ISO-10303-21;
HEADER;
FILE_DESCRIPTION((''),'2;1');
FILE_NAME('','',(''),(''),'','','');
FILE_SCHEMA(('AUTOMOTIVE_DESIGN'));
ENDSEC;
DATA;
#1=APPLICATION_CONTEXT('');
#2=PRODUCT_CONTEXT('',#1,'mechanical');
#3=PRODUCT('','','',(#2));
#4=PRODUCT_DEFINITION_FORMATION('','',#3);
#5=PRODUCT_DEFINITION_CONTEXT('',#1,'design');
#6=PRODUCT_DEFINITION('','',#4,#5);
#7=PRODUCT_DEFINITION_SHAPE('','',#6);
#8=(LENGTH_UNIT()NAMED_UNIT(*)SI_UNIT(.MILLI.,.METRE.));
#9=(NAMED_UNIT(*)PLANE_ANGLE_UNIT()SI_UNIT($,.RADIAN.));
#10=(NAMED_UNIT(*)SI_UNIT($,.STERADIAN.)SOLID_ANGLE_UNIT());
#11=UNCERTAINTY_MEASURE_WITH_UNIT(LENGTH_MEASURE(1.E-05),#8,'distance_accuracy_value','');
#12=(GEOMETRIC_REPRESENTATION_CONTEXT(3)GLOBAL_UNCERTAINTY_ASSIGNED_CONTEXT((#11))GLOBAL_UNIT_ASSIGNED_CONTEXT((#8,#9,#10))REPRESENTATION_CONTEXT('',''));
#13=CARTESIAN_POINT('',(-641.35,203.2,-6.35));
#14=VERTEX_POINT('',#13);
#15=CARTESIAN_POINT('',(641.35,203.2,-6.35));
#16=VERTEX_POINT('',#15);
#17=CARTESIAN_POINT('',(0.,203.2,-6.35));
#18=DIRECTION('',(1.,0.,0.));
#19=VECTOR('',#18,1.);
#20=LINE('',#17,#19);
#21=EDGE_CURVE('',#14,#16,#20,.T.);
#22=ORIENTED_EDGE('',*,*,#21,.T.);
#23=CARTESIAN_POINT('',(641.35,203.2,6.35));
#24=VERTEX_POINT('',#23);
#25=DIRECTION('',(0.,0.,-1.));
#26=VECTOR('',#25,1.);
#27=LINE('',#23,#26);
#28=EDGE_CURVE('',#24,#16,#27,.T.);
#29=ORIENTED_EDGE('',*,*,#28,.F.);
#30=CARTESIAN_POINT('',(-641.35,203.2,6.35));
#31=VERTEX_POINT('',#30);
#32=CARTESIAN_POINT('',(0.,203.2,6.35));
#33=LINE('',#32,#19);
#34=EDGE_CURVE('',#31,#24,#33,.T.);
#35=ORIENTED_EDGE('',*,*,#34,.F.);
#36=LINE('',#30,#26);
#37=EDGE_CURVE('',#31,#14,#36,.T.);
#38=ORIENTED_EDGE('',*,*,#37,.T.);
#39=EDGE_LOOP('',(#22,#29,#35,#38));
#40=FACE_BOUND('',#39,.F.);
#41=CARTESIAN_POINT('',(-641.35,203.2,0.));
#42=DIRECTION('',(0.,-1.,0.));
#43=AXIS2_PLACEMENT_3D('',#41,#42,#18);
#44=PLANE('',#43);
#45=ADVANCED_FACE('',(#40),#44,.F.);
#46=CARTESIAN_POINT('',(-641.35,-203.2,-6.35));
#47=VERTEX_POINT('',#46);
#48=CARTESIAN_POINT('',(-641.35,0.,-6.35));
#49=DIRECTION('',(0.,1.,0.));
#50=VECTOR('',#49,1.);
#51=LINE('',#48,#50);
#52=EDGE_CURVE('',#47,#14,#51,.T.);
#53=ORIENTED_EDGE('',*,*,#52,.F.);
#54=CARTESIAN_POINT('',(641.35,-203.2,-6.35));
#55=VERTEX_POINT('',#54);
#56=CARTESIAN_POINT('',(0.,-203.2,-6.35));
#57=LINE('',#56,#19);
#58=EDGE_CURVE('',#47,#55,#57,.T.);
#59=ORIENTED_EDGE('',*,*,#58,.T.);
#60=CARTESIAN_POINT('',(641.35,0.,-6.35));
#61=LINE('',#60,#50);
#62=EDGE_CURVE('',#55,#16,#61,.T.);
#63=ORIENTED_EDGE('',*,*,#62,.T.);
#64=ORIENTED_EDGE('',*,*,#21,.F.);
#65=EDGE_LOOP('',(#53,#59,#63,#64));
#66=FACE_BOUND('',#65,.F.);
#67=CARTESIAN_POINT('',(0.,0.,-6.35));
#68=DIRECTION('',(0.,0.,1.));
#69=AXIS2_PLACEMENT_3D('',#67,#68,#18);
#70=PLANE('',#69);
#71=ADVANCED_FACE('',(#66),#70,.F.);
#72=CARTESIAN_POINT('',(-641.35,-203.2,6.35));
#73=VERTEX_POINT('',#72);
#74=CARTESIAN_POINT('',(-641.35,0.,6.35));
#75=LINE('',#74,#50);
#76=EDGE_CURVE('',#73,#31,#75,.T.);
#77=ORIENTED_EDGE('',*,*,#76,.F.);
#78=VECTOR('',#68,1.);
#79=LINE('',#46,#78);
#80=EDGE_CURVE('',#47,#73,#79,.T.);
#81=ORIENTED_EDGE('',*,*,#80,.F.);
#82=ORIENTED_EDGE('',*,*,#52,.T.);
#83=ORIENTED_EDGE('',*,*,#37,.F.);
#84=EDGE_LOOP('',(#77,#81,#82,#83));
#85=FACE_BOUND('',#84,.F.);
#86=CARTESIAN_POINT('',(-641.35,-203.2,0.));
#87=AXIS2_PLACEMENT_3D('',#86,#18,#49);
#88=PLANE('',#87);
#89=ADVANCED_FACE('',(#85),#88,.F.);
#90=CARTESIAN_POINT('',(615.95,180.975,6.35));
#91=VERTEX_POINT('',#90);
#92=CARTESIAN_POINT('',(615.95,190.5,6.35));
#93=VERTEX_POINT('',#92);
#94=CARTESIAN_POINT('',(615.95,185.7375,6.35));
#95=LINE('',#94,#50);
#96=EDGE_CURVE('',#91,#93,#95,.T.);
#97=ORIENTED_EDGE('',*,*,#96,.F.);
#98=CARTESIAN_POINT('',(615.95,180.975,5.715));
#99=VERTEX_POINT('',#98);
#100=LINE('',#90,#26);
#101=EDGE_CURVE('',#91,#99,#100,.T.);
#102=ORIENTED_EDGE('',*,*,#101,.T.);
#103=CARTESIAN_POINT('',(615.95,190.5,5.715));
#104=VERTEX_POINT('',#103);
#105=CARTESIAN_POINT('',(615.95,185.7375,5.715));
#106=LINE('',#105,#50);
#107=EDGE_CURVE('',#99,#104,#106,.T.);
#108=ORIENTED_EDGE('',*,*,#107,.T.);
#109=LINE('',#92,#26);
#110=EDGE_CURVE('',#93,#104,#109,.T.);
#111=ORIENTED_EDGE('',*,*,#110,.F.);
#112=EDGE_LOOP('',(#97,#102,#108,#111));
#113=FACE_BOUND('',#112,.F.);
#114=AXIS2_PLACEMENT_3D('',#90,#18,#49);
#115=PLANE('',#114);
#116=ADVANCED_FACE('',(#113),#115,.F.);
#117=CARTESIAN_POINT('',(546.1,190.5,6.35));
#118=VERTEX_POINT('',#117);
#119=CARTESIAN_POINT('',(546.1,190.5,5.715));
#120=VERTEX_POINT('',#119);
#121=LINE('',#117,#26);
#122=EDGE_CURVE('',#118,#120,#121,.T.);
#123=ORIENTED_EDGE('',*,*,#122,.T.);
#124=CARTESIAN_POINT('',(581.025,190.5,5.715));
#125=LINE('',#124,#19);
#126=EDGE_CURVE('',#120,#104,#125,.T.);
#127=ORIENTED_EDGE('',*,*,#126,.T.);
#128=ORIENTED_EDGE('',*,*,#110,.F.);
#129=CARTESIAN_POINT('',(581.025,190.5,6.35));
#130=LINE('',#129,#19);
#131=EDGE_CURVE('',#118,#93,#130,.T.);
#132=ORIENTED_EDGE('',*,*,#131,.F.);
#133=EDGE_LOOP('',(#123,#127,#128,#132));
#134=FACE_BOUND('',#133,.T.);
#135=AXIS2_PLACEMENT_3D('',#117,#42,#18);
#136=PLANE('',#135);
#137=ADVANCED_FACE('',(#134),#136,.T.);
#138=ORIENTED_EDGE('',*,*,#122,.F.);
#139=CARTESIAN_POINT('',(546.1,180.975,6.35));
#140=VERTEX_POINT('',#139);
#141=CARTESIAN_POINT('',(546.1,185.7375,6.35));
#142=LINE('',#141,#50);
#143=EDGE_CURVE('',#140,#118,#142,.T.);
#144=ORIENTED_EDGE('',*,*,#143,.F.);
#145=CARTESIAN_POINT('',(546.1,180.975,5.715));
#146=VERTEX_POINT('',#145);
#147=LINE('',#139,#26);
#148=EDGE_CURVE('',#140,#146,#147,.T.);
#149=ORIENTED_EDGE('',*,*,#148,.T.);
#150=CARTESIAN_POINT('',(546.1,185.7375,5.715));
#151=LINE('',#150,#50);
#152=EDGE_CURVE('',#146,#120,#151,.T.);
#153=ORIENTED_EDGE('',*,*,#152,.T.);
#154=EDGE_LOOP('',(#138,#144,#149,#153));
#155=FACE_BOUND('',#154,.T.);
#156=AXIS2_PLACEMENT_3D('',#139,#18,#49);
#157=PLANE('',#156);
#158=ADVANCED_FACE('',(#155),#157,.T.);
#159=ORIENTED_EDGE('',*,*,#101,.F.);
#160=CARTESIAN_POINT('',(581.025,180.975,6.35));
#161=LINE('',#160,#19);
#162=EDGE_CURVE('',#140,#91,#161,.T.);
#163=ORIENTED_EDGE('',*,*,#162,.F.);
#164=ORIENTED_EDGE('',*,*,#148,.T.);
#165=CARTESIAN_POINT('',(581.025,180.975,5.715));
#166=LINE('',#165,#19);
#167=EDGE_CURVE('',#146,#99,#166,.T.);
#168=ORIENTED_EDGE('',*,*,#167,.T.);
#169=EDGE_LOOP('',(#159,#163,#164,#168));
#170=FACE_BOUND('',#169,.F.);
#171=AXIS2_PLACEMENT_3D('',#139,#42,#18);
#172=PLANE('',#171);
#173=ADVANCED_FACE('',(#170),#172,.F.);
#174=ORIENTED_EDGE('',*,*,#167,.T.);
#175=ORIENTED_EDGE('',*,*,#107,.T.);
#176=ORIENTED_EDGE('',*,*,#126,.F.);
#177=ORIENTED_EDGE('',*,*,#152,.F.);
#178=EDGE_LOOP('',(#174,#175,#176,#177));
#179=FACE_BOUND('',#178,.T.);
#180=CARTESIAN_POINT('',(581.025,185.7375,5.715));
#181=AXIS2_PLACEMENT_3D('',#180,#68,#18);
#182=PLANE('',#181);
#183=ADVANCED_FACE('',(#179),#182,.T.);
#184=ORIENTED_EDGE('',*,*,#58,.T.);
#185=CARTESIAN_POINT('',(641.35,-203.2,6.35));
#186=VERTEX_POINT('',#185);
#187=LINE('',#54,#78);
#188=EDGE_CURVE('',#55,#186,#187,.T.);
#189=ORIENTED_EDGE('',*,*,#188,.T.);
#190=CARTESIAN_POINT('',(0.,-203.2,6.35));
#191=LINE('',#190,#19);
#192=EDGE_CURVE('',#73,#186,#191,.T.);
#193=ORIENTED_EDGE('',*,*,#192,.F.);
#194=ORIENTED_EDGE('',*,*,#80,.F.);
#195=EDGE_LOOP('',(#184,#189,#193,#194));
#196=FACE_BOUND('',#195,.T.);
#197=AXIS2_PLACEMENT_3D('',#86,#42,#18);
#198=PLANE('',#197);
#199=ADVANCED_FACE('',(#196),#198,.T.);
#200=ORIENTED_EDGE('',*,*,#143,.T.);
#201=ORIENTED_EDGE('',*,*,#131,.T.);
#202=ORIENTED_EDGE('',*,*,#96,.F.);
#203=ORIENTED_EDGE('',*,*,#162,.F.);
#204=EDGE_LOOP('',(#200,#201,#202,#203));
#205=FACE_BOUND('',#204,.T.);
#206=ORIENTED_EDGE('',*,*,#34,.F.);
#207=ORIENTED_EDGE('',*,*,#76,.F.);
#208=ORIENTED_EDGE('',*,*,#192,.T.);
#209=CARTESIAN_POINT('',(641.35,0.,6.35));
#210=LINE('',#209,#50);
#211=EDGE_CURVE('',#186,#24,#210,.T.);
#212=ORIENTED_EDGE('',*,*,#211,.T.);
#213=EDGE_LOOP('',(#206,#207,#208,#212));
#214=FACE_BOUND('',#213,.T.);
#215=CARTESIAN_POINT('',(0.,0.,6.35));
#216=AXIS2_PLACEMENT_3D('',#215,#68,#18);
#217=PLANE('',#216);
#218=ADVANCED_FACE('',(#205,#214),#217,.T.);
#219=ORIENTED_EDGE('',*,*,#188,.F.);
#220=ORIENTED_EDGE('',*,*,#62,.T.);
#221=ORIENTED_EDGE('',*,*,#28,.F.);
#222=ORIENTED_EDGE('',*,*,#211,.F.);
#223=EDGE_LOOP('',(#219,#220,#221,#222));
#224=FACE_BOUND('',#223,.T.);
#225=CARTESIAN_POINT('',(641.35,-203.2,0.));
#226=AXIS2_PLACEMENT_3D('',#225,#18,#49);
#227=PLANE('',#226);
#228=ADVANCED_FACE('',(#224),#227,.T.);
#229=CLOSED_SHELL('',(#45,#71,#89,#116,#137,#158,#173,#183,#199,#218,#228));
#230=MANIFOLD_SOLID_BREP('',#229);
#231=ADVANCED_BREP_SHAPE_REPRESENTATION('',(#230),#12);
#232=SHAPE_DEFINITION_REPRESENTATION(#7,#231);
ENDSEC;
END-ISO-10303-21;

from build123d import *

# Parameters (mm, degrees)
F0_W     = 1282.7
F0_H     = 406.4
F1_DEPTH = 6.35
F2_W     = 69.85
F2_H     = 9.525
F3_DEPTH = 0.635


with BuildPart() as f1:
    # F0 (on Top) → F1 (new body, symmetric)
    with BuildSketch(Plane.XY):
        Rectangle(F0_W, F0_H)
    extrude(amount=F1_DEPTH, both=True)

    # F2 (on face) → F3 (cut)
    with BuildSketch(Plane.XY.offset(6.35)):
        with Locations((581.025, 185.7375)):
            Rectangle(F2_W, F2_H)
    extrude(amount=-F3_DEPTH, mode=Mode.SUBTRACT)


solid = f1.part
